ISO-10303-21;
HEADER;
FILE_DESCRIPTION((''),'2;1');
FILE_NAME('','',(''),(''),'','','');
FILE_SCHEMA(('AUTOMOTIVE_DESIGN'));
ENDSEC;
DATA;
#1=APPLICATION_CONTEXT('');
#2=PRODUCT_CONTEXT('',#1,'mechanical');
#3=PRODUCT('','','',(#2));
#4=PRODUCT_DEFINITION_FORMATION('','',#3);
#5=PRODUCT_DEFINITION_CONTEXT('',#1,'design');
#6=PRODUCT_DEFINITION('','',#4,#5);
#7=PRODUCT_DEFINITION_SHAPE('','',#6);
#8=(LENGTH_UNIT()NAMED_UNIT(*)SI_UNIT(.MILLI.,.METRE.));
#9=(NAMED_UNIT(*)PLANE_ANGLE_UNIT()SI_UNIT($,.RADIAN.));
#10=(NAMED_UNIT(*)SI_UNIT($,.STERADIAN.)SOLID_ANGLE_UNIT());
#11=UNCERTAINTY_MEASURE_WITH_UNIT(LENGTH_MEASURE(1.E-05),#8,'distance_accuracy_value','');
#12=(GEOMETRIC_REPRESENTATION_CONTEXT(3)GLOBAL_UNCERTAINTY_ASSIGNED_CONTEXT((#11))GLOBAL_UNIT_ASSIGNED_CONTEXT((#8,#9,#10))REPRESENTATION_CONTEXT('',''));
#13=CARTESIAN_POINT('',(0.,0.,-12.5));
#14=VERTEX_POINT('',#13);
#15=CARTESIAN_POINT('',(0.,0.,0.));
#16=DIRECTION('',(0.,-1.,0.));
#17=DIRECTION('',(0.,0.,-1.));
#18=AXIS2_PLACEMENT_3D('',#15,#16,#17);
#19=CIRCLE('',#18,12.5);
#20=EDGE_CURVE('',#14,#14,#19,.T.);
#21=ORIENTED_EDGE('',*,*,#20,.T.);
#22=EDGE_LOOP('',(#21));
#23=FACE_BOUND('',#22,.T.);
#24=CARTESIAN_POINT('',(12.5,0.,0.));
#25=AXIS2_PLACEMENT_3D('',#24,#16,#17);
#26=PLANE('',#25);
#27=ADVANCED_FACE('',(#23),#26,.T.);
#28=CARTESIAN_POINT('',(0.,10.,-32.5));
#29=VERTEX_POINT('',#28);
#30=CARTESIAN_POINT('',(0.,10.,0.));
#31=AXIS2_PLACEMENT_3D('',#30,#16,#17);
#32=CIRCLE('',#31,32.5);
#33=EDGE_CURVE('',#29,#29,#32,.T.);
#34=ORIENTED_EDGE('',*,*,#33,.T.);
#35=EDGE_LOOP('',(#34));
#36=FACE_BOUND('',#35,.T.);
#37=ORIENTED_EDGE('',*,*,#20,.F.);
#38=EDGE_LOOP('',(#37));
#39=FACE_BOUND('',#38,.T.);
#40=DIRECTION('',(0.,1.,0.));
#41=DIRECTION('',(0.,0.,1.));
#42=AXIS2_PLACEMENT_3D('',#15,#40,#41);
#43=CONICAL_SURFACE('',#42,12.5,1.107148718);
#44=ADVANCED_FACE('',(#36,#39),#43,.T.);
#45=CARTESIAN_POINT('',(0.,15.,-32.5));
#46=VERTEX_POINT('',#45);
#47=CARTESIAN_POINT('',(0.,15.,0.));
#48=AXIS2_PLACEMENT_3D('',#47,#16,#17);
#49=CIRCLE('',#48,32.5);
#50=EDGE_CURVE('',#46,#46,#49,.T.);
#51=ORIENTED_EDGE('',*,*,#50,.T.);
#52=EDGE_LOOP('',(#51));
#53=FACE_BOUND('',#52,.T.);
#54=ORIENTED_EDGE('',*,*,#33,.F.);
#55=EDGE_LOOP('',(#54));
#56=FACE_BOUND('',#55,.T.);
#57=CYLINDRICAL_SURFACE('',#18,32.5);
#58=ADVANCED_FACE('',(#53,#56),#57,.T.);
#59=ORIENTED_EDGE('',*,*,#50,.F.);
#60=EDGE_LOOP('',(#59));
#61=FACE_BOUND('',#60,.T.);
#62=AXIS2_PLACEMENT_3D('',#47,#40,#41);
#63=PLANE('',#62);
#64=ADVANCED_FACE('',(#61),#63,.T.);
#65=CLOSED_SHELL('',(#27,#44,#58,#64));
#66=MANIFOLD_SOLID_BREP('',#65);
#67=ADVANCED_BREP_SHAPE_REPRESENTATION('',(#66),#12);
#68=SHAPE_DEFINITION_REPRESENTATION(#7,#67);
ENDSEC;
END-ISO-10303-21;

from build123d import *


with BuildPart() as part:
    # Sketch1 → Revolve1 (revolve)
    with BuildSketch(Plane.XY):
        Polygon((0, 0), (0, 15), (32.5, 15), (32.5, 10), (12.5, 0), align=None)
    revolve(axis=Axis((0, 0, 0), (0, 1, 0)))


solid = part.part
